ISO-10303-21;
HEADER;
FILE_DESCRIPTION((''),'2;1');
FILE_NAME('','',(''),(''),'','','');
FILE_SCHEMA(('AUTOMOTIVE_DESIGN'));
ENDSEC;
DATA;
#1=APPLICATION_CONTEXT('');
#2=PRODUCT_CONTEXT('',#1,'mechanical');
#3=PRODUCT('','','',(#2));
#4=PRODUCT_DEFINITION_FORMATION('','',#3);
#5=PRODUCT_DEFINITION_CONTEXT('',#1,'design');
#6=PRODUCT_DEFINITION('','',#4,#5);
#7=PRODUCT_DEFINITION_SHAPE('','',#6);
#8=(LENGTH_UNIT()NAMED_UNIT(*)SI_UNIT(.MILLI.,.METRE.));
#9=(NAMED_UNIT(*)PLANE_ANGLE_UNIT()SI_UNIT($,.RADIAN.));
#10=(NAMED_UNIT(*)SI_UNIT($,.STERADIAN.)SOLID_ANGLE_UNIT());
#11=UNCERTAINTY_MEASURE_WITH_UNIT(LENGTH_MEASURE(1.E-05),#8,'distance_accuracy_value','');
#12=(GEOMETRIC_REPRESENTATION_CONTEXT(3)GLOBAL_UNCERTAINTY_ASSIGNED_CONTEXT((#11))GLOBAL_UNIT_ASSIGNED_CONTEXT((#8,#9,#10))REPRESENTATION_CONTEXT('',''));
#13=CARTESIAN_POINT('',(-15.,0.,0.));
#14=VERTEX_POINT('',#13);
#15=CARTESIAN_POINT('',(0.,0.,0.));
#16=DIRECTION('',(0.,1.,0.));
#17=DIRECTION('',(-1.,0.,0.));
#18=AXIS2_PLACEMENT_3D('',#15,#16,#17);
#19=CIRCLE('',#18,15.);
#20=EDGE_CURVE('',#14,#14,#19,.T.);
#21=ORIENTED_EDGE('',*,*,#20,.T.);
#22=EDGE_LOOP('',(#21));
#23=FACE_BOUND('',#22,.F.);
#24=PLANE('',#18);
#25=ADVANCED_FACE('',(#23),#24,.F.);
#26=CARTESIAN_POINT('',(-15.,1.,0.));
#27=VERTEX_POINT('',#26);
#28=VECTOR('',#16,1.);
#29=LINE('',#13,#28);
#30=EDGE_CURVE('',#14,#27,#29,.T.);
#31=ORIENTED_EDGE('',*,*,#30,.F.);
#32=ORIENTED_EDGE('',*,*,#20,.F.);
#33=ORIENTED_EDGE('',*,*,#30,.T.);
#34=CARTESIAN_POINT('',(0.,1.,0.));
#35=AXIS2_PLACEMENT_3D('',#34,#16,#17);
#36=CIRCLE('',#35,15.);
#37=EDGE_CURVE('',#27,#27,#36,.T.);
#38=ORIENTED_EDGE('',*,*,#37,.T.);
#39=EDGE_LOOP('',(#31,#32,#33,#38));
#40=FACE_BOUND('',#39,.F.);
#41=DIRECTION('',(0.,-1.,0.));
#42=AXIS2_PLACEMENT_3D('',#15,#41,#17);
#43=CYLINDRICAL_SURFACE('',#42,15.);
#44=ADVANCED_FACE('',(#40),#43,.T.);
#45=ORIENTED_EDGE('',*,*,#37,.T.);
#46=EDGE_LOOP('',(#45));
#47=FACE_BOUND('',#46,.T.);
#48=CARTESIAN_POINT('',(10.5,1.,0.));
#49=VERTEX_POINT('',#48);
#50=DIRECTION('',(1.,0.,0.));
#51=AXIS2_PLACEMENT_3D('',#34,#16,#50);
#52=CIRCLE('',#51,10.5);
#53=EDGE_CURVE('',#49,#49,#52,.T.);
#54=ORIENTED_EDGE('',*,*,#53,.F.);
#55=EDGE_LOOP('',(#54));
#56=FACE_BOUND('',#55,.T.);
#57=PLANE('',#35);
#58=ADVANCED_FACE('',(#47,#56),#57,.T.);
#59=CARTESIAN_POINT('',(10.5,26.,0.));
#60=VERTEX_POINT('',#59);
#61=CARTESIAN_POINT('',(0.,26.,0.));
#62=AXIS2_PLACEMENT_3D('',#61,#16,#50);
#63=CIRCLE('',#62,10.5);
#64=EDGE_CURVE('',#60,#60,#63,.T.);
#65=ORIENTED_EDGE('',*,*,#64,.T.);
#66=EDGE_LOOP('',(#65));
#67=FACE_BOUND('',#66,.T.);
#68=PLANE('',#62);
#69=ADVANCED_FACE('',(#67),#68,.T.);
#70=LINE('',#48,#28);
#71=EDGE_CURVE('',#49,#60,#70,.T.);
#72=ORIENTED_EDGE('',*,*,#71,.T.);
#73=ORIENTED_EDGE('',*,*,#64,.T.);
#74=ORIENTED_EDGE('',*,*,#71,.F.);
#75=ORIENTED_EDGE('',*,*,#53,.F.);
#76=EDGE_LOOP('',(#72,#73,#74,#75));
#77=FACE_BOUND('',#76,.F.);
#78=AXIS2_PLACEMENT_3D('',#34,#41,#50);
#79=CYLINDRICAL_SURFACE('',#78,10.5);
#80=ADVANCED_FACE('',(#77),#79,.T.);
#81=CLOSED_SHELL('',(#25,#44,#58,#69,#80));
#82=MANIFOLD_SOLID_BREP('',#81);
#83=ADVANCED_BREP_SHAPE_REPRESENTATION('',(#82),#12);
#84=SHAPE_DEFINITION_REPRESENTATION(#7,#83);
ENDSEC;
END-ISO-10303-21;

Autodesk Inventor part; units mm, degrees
ref_plane "YZ Plane" through (0, 0, 0) normal (1, 0, 0) x (0, 1, 0)
ref_plane "XZ Plane" through (0, 0, 0) normal (0, 1, 0) x (-1, 0, 0)
ref_plane "XY Plane" through (0, 0, 0) normal (0, 0, 1) x (1, 0, 0)
sketch "スケッチ1" plane through (0, 0, 0) normal (0, 1, 0) x (-1, 0, 0)
  circle A0 centre (0, 0) radius 15
  dimension "d0" = 30
extrude "押し出し1" add sketch "スケッチ1" along normal blind 1
sketch "スケッチ2" plane through (0, 1, 0) normal (0, 1, 0) x (1, 0, 0)
  circle A0 centre (0, 0) radius 10.5
  dimension "d3" = 21
extrude "押し出し2" add sketch "スケッチ2" along normal blind 25
properties part number "ギア軸"
